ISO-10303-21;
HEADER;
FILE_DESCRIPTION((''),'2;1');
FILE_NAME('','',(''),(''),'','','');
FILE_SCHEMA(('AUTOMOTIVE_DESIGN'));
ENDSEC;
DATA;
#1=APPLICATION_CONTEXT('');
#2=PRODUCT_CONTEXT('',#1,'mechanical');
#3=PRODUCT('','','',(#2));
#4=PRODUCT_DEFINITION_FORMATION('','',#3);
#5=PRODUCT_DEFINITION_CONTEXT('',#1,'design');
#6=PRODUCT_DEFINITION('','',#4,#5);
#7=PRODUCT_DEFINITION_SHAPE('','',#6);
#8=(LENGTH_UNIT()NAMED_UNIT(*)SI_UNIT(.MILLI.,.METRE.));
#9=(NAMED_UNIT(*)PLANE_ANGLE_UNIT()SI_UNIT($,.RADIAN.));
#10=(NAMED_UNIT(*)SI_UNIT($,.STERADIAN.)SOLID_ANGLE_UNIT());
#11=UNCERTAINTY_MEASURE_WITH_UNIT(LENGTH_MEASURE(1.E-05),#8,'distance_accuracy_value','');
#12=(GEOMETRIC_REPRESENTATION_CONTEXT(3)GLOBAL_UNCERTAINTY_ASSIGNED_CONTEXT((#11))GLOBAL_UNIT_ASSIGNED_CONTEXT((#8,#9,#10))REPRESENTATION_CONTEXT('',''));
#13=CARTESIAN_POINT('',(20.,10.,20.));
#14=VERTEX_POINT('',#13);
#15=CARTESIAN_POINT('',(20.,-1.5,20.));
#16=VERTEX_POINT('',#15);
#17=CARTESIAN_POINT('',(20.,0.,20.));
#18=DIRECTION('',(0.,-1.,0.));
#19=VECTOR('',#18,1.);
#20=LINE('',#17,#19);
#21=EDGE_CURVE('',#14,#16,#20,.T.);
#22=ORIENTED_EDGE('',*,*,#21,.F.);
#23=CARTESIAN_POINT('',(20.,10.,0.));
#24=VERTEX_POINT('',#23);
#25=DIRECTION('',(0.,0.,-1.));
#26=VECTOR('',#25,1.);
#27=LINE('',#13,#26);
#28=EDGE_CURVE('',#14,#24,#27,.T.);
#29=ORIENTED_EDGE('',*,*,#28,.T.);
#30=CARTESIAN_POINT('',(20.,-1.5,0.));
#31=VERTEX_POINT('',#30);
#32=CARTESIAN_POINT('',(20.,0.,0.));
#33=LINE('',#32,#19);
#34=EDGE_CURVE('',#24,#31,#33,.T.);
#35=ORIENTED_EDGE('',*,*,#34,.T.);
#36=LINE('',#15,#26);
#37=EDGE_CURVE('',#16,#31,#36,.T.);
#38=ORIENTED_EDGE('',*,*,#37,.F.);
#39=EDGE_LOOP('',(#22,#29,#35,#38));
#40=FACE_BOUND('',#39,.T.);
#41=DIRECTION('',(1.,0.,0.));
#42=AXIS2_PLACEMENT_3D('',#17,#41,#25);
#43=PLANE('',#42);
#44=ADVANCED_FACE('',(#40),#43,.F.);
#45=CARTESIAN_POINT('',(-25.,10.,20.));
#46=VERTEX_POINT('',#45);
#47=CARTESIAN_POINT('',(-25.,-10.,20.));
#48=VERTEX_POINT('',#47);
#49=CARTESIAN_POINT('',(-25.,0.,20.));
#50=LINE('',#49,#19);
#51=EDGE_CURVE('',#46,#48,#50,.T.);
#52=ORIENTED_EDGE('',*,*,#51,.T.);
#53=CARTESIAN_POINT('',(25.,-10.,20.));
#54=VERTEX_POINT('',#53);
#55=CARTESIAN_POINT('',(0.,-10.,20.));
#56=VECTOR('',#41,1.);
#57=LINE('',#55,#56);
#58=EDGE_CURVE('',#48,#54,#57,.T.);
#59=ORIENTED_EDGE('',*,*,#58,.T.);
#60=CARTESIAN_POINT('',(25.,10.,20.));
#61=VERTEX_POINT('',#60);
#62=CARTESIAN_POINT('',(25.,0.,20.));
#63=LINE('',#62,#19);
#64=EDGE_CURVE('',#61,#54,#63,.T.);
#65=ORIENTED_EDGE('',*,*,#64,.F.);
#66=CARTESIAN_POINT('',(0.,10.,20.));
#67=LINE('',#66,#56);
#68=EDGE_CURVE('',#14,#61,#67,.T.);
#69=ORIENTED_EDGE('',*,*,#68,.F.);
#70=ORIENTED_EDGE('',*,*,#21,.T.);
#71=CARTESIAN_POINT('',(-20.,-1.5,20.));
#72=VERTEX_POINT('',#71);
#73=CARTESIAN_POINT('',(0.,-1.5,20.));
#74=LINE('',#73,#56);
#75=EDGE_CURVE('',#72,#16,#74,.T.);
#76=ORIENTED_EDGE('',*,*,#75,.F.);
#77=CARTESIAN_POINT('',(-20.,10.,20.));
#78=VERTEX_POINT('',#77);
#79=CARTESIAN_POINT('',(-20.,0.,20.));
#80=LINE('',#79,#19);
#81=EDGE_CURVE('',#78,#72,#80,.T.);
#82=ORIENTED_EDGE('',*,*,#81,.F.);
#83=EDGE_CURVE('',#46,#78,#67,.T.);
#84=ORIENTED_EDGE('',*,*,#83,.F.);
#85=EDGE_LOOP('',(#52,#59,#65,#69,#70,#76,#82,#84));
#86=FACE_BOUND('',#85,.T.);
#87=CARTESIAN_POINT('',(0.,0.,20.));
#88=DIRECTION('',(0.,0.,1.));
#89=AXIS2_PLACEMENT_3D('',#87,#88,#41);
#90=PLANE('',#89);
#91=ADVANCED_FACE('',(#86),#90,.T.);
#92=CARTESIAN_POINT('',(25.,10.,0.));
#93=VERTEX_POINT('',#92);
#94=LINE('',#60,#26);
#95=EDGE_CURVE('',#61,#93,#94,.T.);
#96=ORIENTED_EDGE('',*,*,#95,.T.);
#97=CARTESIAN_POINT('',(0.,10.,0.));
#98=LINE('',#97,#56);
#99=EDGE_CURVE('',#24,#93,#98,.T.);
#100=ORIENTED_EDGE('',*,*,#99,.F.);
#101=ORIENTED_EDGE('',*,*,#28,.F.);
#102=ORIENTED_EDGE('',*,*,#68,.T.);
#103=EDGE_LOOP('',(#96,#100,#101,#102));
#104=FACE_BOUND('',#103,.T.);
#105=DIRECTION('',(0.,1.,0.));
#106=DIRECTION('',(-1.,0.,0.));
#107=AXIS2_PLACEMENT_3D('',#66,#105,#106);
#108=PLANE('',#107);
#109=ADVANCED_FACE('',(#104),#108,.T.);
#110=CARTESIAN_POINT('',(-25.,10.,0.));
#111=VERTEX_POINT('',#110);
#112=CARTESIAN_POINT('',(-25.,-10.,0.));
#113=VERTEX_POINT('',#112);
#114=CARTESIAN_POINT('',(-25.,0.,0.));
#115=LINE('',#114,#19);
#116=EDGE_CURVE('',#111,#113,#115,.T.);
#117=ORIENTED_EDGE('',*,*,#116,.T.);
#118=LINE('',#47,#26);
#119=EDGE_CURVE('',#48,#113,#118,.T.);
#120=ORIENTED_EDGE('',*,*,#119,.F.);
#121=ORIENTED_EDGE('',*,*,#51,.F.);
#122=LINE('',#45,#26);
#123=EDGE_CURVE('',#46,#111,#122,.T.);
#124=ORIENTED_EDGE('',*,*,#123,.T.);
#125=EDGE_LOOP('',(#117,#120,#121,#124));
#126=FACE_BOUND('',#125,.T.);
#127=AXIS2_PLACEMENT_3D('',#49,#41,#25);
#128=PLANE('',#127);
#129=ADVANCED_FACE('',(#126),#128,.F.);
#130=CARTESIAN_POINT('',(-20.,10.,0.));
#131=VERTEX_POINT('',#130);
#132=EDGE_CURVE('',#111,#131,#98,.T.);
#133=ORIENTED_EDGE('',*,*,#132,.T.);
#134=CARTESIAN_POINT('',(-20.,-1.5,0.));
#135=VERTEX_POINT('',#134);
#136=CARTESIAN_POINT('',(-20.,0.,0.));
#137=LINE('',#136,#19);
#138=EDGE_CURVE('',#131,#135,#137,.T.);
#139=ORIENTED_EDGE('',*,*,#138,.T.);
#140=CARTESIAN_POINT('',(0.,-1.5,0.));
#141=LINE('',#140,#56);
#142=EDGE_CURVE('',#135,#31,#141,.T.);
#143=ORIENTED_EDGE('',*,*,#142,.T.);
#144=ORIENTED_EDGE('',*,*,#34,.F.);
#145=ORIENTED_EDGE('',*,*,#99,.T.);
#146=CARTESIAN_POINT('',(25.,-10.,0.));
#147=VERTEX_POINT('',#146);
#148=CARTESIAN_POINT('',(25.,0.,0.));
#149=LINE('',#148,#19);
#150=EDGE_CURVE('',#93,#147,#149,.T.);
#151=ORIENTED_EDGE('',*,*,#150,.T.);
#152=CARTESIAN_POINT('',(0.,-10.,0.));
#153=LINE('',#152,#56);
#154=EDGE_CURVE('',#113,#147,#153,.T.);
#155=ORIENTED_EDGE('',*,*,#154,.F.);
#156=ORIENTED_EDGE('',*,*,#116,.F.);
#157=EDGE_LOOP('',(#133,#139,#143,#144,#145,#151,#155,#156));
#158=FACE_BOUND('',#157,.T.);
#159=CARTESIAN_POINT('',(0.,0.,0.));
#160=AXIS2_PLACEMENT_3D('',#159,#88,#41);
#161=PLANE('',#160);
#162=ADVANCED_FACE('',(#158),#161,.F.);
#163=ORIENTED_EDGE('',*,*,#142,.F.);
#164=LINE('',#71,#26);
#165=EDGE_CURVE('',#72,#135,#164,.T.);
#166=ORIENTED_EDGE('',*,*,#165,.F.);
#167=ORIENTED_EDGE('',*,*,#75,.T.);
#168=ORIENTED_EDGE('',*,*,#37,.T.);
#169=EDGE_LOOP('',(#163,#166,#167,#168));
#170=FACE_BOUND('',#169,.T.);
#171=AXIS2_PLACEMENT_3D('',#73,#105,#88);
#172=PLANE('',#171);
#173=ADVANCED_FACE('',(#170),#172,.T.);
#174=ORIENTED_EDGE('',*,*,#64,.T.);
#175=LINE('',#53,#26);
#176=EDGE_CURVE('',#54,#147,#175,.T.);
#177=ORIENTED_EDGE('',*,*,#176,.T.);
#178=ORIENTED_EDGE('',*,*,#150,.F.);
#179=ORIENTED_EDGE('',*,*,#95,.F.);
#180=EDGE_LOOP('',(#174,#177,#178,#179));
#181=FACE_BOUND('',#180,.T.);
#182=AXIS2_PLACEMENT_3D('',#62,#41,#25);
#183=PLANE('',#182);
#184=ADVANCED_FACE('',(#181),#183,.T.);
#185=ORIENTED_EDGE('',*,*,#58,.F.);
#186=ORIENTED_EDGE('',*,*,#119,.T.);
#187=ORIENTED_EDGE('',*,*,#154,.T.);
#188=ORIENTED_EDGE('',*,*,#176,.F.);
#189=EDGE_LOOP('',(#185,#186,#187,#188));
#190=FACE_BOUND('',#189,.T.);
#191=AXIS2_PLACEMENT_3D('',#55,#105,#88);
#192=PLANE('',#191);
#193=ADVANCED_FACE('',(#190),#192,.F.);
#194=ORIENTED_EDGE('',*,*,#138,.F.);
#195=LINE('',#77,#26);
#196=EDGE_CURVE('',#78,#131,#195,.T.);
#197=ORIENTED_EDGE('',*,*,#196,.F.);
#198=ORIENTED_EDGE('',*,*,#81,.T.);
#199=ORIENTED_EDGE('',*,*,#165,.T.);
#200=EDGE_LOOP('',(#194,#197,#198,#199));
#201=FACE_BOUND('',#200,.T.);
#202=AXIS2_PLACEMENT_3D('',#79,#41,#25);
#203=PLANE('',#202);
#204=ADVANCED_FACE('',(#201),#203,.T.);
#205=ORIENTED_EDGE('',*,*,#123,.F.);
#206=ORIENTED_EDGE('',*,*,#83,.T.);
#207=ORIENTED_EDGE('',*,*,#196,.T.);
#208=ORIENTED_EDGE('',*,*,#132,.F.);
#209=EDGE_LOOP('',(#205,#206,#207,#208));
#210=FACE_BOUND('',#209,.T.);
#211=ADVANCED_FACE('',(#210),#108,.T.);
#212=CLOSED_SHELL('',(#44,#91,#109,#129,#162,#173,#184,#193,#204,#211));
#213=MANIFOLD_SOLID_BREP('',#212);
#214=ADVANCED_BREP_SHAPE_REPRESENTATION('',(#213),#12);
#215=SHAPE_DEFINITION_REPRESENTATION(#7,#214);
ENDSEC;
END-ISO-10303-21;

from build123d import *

# Parameters (mm, degrees)
EXTRUDE_1_DEPTH = 20


with BuildPart() as part:
    # 草圖1 → 填料-伸長1 (new body)
    with BuildSketch(Plane.XY):
        Polygon((-20, 10), (-25, 10), (-25, -10), (25, -10), (25, 10), (20, 10), (20, -1.5), (-20, -1.5), align=None)
    extrude(amount=EXTRUDE_1_DEPTH)


solid = part.part
